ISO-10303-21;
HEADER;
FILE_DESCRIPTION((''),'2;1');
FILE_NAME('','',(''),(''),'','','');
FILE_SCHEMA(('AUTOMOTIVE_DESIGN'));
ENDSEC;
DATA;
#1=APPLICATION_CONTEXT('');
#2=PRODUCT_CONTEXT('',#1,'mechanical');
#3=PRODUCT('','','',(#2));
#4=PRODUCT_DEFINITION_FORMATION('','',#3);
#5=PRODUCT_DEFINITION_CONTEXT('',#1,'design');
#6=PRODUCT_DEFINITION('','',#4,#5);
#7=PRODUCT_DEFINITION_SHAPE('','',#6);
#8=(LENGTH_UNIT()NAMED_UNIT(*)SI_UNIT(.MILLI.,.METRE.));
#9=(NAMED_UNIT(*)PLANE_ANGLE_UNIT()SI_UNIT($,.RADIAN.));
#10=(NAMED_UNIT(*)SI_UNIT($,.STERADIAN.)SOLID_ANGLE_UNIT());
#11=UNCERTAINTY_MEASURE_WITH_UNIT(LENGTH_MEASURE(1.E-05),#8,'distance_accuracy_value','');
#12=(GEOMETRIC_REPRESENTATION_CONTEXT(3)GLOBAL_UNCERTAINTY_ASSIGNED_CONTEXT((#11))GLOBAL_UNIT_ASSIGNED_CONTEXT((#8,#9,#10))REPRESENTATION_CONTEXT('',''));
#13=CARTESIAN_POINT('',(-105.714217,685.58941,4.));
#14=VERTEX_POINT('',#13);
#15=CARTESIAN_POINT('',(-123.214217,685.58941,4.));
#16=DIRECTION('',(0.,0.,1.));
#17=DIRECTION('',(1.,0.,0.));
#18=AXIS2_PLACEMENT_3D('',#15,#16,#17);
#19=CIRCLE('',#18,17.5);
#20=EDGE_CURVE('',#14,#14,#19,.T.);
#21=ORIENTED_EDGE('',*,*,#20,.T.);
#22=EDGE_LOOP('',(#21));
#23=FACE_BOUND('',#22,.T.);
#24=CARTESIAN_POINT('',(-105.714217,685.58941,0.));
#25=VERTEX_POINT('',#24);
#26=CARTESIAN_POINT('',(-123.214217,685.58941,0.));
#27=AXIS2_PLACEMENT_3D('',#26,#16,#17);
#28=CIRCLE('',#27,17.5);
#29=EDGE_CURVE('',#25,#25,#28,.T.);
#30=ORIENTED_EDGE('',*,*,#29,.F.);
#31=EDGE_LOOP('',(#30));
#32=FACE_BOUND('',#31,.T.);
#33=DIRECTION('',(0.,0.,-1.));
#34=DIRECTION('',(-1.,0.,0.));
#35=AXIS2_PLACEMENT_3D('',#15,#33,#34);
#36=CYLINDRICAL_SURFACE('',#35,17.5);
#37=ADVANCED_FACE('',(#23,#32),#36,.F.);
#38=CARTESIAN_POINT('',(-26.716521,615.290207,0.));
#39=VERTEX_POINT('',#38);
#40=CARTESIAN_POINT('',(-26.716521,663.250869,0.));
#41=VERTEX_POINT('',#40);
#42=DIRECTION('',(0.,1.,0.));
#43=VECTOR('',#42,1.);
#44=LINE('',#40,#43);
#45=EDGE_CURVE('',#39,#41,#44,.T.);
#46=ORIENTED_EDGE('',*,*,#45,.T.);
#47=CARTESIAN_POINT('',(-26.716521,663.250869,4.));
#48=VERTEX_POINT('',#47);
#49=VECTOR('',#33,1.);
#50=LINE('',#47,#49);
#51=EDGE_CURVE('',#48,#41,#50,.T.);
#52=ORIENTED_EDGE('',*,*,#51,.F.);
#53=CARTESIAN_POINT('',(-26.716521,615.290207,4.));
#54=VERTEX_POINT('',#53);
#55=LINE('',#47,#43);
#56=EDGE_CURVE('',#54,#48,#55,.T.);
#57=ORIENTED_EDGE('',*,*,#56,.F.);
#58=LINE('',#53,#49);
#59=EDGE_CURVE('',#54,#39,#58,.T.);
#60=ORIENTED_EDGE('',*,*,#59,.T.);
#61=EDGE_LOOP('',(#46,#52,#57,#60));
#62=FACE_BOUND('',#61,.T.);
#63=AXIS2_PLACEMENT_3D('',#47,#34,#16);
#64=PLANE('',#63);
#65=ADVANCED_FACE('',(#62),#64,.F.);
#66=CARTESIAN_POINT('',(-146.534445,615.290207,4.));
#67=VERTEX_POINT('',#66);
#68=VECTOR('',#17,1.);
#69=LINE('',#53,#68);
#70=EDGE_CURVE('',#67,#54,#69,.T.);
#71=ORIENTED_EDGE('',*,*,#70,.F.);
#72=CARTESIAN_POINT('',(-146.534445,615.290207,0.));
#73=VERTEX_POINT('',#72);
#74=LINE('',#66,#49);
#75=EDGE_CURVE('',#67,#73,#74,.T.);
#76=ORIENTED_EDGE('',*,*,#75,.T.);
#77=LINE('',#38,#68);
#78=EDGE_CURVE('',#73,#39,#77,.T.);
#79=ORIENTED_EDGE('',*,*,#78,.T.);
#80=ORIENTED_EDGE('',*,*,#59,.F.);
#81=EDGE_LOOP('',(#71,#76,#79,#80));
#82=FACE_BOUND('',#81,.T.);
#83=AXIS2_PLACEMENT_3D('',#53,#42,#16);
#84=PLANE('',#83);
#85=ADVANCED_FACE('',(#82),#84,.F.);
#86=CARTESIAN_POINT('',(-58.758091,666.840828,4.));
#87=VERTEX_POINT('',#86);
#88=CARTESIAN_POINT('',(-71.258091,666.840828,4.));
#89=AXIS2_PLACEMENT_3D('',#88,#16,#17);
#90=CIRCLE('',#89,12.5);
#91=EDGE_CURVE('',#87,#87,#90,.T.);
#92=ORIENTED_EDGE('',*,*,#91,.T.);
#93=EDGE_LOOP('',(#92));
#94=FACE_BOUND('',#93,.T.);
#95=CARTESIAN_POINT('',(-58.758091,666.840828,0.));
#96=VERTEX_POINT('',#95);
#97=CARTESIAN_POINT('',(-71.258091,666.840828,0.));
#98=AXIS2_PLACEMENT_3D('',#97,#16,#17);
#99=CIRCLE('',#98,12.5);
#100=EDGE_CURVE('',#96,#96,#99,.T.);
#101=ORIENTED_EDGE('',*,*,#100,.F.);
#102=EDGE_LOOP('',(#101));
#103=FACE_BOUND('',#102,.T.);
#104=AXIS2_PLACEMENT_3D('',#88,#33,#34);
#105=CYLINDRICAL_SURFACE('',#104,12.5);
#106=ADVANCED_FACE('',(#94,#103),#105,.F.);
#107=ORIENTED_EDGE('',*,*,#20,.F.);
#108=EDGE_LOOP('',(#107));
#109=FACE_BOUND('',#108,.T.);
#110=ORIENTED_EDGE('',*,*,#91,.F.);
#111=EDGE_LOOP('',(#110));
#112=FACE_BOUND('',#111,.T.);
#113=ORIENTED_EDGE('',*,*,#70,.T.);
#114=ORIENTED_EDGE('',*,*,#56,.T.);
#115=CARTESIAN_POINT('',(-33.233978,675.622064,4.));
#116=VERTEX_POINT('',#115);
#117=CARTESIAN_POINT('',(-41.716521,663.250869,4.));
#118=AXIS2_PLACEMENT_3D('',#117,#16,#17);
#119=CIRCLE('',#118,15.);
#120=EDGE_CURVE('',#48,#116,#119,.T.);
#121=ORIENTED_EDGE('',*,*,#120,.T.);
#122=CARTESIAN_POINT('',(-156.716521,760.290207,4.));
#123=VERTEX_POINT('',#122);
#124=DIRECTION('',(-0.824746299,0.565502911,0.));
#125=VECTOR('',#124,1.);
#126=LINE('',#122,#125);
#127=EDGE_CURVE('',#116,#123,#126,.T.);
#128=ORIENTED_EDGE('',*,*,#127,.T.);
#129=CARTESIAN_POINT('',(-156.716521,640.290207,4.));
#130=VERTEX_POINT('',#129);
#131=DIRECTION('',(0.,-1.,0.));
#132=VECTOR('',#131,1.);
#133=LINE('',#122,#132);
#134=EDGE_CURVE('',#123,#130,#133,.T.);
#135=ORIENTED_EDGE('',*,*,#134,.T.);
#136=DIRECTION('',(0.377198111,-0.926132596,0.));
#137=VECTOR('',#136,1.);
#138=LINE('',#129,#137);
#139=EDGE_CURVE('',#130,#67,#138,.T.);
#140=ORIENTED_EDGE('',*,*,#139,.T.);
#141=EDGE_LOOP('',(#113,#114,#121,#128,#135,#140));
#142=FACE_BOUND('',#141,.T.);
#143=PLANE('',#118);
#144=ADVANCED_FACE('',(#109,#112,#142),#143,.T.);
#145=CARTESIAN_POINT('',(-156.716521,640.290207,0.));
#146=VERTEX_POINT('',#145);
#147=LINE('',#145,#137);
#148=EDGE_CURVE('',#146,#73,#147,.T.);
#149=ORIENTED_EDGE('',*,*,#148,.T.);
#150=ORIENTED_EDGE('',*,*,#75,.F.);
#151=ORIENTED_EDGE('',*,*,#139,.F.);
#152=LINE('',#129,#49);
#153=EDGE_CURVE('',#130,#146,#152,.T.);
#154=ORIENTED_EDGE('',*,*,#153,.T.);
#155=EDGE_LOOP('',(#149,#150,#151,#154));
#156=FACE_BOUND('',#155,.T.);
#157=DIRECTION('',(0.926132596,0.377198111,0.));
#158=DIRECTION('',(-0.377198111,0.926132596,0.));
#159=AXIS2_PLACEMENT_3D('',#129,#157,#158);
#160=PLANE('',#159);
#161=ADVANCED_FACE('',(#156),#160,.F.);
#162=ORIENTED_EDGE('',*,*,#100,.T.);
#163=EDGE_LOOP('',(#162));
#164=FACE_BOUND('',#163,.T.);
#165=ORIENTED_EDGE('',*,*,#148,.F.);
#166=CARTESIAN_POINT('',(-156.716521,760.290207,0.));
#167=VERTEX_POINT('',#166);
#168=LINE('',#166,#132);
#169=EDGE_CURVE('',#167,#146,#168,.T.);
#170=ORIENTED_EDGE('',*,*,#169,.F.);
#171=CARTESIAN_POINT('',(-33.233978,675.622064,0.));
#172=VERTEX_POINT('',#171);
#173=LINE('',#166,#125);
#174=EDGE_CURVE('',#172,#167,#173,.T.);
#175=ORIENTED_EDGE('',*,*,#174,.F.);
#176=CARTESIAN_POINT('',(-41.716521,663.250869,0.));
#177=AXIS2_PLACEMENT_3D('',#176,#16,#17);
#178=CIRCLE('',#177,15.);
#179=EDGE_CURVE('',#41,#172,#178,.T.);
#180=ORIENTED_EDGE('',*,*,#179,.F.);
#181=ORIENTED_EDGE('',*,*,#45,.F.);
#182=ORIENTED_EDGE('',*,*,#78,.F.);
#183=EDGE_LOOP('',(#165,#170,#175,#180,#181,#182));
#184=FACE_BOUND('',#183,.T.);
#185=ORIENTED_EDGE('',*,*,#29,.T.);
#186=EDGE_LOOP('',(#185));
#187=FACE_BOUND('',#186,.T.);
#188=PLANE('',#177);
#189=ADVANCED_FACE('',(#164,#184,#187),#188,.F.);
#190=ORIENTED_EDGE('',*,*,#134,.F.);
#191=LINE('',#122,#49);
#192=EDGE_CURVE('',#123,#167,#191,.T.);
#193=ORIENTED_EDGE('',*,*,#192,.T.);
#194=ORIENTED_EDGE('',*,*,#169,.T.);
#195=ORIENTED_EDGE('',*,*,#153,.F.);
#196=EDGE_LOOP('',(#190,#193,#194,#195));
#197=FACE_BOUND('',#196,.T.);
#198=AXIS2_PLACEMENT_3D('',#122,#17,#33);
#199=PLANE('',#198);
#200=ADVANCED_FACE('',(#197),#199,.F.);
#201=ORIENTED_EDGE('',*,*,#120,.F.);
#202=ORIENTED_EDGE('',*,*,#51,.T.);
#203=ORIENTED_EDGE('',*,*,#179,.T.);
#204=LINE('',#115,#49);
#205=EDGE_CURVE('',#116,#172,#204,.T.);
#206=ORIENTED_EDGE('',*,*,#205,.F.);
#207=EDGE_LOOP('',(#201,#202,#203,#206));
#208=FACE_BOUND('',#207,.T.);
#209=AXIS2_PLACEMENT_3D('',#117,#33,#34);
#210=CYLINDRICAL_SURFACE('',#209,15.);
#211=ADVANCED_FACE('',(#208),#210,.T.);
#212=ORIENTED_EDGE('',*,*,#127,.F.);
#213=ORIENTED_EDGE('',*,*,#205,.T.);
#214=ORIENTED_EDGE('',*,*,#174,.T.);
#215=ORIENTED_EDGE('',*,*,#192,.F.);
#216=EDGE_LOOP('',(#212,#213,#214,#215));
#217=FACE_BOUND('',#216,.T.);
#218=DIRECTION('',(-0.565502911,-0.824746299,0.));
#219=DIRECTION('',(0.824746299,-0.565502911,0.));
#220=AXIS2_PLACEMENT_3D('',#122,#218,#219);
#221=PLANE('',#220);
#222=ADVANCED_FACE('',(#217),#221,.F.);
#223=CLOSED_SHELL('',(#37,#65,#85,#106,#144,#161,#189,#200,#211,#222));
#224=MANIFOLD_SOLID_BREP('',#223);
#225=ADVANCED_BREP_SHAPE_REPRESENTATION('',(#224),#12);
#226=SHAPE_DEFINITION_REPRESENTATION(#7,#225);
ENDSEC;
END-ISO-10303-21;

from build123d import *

# Parameters (mm, degrees)
SKETCH_1_R      = 17.5
SKETCH_1_R_2    = 12.5
EXTRUDE_1_DEPTH = 4


with BuildPart() as part:
    # 草图1 → 凸台-拉伸1 (new body)
    with BuildSketch(Plane.XY):
        with BuildLine():
            Line((-26.716521465, 615.290207127), (-146.53444515, 615.290207127))
            Line((-146.53444515, 615.290207127), (-156.716521465, 640.290207127))
            Line((-156.716521465, 640.290207127), (-156.716521465, 760.290207127))
            Line((-156.716521465, 760.290207127), (-33.233977794, 675.622063649))
            ThreePointArc((-33.233977794, 675.622063649), (-28.445535159, 670.242358457), (-26.716521465, 663.250869168))
            Line((-26.716521465, 663.250869168), (-26.716521465, 615.290207127))
        make_face()
        with Locations((-123.214216797, 685.589410404)):
            Circle(SKETCH_1_R, mode=Mode.SUBTRACT)
        with Locations((-71.258091401, 666.840828083)):
            Circle(SKETCH_1_R_2, mode=Mode.SUBTRACT)
    extrude(amount=EXTRUDE_1_DEPTH)


solid = part.part
